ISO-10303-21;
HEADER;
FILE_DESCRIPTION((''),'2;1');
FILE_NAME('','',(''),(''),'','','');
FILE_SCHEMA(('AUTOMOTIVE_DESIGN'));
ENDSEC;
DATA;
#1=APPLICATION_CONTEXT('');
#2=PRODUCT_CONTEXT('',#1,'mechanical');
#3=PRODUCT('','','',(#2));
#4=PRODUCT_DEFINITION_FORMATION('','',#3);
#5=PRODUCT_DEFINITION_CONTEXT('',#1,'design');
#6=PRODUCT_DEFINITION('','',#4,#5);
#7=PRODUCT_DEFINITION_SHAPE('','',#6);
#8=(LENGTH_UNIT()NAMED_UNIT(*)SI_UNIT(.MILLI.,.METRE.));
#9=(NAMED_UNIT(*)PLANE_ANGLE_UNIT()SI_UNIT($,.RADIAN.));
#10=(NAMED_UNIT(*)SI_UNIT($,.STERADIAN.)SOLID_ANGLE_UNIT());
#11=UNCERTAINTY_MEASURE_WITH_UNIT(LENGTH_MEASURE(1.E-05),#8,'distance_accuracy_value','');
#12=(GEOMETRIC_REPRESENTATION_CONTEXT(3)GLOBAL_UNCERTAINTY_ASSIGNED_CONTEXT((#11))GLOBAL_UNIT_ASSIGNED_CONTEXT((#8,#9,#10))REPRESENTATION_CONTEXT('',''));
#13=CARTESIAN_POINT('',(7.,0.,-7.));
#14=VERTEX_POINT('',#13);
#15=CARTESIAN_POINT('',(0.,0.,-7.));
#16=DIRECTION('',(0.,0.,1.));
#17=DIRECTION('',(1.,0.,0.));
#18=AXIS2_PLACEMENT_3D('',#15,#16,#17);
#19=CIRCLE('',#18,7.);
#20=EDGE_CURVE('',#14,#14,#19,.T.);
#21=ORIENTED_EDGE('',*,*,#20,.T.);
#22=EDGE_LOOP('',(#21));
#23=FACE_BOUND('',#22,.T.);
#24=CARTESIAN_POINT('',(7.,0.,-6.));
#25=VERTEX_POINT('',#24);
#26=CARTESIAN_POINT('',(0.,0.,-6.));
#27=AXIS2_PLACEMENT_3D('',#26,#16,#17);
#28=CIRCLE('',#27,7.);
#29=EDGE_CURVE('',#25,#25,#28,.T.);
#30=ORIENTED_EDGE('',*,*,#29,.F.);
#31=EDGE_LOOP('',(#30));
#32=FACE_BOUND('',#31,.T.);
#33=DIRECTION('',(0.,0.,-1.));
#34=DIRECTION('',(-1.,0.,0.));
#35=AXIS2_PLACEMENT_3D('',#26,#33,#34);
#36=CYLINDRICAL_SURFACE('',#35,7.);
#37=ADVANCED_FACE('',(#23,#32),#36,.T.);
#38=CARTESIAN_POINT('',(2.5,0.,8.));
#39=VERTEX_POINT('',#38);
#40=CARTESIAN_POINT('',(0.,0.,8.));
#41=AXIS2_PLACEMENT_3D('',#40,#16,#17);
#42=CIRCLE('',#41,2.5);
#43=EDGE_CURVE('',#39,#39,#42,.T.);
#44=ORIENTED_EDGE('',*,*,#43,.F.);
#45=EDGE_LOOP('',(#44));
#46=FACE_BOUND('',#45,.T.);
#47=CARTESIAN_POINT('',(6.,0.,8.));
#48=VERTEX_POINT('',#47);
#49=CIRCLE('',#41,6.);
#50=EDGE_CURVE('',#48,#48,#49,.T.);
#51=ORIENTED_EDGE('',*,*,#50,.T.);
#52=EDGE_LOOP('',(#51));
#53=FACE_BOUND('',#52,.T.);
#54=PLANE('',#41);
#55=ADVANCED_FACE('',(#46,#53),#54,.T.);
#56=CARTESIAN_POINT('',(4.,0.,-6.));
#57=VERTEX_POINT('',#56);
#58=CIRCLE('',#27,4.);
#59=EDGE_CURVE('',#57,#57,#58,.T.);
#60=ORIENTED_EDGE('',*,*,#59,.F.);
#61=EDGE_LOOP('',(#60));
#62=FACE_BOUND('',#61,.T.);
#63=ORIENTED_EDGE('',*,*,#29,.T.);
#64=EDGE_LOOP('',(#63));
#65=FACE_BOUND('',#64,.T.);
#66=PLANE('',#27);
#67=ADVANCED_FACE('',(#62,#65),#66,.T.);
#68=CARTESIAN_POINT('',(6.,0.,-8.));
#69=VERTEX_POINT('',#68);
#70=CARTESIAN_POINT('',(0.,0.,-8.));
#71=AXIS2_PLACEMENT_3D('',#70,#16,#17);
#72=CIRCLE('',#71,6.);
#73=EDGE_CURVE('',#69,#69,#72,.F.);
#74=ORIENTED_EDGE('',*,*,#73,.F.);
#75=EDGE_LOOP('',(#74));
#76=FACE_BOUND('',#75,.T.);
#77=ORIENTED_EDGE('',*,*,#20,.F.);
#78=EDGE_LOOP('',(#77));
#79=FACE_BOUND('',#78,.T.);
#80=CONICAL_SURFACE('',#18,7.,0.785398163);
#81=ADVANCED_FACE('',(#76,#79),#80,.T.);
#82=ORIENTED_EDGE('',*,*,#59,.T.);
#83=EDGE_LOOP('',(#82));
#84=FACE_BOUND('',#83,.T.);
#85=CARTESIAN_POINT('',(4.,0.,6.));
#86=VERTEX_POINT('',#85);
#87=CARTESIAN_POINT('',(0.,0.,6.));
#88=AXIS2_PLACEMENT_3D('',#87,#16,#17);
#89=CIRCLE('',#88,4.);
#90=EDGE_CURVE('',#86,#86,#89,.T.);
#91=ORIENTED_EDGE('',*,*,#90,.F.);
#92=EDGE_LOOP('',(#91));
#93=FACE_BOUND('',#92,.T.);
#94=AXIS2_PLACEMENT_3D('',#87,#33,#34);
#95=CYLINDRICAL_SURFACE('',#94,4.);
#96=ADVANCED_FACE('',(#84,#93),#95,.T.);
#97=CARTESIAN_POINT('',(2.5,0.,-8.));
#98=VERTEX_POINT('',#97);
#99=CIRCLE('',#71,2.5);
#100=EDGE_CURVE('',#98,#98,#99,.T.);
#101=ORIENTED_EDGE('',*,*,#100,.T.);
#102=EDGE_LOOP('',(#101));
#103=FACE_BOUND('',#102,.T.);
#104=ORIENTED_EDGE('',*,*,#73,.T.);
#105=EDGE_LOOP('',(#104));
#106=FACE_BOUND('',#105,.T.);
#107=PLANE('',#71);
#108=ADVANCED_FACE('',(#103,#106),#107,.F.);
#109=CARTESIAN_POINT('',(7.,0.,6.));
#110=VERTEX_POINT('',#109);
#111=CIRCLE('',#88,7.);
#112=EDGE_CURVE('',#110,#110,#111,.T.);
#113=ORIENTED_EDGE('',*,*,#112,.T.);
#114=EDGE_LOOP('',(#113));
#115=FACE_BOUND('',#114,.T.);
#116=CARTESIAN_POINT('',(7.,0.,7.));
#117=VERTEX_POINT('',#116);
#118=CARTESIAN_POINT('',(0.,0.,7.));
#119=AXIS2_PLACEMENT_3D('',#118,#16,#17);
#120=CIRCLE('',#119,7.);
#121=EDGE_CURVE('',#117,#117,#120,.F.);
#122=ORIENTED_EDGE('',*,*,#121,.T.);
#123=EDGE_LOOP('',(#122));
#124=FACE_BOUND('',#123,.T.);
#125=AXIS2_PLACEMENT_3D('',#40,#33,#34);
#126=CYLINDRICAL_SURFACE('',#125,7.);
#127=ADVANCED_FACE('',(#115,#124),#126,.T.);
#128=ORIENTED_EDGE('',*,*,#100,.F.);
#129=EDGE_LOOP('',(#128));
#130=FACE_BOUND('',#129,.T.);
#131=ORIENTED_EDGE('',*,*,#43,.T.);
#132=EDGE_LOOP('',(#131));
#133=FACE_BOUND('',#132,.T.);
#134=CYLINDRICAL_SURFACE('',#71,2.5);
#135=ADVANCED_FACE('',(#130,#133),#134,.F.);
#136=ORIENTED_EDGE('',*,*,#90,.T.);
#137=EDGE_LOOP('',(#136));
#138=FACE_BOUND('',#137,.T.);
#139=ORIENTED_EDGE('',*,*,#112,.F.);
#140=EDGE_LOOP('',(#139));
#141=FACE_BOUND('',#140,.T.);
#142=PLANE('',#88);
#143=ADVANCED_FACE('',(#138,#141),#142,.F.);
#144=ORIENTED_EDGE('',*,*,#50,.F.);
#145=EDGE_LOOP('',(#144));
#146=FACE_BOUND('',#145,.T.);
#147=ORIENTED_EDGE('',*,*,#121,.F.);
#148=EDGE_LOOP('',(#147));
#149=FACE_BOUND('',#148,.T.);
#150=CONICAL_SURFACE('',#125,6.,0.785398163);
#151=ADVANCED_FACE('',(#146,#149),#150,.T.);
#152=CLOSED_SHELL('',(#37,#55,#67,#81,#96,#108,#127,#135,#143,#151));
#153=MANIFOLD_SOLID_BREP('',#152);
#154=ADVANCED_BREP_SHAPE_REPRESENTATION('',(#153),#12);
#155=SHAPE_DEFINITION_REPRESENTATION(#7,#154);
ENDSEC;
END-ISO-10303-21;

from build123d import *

# Parameters (mm, degrees)
SKETCH1_R               = 4
BOSS_EXTRUDE1_DEPTH     = 6
SKETCH2_R               = 7
BOSS_EXTRUDE2_DEPTH     = 2
LPATTERN1_COUNT         = 2
LPATTERN1_PITCH         = 14
CUT_EXTRUDE1_DEPTH      = 13.727922061
CUT_EXTRUDE1_DEPTH_BACK = 13.727922061
SKETCH3_R               = 2.5
CHAMFER1_SIZE           = 1


with BuildPart() as part:
    # Sketch1 → Boss-Extrude1 (new, symmetric)
    with BuildSketch(Plane.XY):
        Circle(SKETCH1_R)
    extrude(amount=BOSS_EXTRUDE1_DEPTH, both=True)

    # Sketch2 → Boss-Extrude2 (add)
    with BuildSketch(Plane.XY.offset(6)):
        Circle(SKETCH2_R)
    boss_extrude2 = extrude(amount=BOSS_EXTRUDE2_DEPTH)

    # LPattern1: Boss-Extrude2 ×2
    with Locations(*[(0, 0, -i * LPATTERN1_PITCH) for i in range(1, LPATTERN1_COUNT)]):
        add(boss_extrude2)

    # Sketch3 → Cut-Extrude1 (cut, two sides: drawn at the far end of the back side and taken through both)
    with BuildSketch(Plane.XY.offset(-CUT_EXTRUDE1_DEPTH_BACK)):
        Circle(SKETCH3_R)
    extrude(amount=CUT_EXTRUDE1_DEPTH + CUT_EXTRUDE1_DEPTH_BACK, mode=Mode.SUBTRACT)

    # Chamfer1
    chamfer1_edges = [part.edges().sort_by_distance(p)[0] for p in [
        (-7, 0, 8),
        (-7, 0, -8),
    ]]
    chamfer(chamfer1_edges, length=CHAMFER1_SIZE)


solid = part.part
